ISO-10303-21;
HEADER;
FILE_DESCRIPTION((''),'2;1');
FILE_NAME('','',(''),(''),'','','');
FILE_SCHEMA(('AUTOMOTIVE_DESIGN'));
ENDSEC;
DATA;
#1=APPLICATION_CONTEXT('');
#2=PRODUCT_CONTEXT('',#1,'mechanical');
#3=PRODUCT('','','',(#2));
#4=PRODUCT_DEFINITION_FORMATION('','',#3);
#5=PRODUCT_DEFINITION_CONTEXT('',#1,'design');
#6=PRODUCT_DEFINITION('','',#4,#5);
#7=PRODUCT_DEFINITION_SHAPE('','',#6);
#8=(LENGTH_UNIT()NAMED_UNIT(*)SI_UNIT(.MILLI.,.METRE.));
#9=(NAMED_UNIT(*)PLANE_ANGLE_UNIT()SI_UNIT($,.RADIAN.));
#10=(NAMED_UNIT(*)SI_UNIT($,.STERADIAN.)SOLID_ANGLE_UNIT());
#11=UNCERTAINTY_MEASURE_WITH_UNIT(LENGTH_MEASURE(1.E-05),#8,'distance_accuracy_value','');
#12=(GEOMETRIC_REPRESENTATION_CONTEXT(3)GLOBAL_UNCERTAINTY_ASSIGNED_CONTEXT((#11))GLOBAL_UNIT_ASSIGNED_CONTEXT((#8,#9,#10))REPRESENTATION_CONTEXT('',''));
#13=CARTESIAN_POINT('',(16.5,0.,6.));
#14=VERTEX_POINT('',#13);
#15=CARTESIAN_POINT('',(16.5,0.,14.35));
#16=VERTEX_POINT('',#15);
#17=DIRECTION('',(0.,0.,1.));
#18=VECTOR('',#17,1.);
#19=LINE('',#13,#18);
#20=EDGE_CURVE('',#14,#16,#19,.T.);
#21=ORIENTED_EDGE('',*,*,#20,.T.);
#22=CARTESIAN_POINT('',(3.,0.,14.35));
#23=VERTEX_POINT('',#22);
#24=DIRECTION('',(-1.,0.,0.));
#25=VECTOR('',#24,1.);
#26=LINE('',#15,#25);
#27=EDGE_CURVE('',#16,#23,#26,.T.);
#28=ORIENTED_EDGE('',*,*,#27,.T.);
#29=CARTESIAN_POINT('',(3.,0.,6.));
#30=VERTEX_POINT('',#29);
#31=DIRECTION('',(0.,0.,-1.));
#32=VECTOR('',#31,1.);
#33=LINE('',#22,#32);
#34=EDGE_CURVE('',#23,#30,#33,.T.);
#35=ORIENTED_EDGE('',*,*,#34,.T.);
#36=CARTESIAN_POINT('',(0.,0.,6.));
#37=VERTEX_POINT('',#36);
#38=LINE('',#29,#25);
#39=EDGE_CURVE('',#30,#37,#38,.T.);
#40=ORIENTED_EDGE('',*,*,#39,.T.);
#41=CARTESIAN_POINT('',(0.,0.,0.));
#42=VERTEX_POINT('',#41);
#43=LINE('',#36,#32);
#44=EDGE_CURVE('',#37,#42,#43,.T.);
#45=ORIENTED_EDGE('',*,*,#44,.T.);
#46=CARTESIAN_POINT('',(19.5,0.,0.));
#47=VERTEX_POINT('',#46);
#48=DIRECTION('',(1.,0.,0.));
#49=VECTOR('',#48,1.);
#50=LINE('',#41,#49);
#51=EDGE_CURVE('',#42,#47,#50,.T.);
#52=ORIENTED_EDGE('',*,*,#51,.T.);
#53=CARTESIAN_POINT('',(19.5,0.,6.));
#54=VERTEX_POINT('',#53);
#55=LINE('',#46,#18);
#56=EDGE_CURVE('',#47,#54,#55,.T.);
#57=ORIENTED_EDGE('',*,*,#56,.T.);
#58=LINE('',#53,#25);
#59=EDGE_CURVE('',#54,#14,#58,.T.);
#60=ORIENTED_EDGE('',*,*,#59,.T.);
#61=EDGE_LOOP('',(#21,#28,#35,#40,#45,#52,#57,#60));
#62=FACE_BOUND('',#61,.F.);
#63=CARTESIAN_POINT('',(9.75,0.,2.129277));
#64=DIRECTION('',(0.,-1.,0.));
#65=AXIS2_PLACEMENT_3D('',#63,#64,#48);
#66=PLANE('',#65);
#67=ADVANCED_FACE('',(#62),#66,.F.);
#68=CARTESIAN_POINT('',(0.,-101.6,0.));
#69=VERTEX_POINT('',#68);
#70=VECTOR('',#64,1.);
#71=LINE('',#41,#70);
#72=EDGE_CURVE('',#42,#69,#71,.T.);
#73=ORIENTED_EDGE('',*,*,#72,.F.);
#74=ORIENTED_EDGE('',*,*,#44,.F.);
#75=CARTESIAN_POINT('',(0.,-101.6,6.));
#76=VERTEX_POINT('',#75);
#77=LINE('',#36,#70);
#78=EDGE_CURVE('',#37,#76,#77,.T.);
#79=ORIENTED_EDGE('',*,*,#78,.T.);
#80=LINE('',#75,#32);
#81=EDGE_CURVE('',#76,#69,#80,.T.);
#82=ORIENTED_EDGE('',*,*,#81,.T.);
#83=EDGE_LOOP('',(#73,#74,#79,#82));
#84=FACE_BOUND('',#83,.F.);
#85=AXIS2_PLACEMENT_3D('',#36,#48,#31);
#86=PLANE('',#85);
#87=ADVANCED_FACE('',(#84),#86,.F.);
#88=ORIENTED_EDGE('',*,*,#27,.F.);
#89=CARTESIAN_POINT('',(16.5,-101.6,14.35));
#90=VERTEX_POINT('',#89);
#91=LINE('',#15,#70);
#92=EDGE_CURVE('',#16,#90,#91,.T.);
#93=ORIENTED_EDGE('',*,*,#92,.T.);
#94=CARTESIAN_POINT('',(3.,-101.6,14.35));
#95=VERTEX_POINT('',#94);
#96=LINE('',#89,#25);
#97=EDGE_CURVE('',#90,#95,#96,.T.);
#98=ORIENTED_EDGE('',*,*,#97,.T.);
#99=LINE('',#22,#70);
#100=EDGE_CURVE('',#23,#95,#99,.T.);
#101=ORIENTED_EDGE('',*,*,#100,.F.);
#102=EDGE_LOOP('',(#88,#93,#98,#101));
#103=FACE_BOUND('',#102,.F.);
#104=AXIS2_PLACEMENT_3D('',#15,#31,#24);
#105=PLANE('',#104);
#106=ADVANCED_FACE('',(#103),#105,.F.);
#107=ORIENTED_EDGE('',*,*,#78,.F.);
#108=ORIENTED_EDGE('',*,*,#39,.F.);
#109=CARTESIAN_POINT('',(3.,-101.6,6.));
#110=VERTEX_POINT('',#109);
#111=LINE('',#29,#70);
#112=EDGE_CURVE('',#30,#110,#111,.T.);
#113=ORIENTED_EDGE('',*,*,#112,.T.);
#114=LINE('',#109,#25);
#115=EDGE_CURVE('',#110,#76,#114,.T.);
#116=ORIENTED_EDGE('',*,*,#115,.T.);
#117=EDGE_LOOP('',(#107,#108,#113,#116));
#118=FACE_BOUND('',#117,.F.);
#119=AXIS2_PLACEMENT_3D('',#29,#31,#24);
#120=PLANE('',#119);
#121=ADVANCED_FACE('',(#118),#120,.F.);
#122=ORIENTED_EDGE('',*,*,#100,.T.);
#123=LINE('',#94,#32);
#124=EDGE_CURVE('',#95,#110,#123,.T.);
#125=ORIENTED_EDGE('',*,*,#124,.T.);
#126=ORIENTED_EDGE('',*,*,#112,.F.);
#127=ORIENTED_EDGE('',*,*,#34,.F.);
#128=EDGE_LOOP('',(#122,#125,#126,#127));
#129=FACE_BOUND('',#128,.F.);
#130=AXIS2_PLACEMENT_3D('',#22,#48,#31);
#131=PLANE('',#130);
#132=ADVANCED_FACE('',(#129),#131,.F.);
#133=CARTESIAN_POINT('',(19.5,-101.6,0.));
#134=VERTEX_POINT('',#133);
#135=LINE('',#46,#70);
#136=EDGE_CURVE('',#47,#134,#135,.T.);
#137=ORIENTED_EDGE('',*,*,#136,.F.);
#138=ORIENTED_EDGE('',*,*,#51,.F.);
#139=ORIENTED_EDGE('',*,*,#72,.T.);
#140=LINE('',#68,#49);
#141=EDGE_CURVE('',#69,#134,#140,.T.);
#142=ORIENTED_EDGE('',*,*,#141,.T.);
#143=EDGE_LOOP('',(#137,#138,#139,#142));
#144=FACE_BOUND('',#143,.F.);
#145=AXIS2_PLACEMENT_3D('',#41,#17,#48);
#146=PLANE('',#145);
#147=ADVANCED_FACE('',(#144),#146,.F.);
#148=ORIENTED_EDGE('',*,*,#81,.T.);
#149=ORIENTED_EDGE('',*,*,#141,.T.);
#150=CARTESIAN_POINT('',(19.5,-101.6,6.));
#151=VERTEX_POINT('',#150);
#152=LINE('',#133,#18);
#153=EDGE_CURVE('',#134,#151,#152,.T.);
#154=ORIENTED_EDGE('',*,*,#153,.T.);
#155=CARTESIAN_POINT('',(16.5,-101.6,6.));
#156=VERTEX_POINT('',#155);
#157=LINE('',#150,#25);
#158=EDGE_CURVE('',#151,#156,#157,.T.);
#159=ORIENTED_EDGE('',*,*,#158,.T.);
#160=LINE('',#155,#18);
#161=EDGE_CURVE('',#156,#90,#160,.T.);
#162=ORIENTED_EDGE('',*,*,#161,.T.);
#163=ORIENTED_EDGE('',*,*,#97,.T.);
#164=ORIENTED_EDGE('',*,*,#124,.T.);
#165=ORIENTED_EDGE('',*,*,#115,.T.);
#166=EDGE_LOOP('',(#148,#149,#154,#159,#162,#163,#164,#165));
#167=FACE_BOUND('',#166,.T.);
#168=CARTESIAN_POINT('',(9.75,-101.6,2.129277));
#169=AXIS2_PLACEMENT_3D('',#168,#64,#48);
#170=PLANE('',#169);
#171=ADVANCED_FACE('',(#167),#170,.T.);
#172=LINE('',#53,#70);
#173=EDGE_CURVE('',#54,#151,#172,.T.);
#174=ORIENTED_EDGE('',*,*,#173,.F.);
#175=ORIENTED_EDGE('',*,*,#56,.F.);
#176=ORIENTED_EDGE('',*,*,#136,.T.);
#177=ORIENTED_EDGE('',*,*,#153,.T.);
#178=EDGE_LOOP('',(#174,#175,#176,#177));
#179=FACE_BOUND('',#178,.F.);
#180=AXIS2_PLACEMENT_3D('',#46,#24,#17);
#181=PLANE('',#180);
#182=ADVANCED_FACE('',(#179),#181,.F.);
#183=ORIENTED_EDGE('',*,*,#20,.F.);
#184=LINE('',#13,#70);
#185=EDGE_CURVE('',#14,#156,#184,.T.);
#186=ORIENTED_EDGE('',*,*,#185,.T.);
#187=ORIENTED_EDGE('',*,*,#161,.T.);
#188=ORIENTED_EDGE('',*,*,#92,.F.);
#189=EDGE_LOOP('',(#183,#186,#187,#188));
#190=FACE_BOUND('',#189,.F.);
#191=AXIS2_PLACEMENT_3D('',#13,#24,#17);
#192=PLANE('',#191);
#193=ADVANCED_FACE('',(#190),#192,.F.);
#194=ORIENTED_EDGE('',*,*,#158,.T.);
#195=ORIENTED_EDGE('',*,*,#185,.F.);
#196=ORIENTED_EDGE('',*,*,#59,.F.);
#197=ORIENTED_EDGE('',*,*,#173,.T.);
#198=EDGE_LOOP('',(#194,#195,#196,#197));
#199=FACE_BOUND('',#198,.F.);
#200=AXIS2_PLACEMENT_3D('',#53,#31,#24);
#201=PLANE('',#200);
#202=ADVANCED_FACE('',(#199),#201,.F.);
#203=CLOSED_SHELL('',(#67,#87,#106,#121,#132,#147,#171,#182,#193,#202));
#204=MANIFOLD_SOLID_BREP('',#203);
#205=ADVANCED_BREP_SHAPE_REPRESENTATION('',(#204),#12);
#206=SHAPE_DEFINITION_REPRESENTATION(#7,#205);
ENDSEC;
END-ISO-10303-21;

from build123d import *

# Parameters (mm, degrees)
F1_DEPTH = 101.6


with BuildPart() as f1:
    # F0 (on Front) → F1 (new body)
    with BuildSketch(Plane.XZ):
        Polygon((0, 6), (0, 0), (19.5, 0), (19.5, 6), (16.5, 6), (16.5, 1.62), (3, 1.62), (3, 6), align=None)
        Polygon((3, 14.35), (3, 6), (3, 1.62), (16.5, 1.62), (16.5, 6), (16.5, 14.35), align=None)
    extrude(amount=F1_DEPTH)


solid = f1.part
